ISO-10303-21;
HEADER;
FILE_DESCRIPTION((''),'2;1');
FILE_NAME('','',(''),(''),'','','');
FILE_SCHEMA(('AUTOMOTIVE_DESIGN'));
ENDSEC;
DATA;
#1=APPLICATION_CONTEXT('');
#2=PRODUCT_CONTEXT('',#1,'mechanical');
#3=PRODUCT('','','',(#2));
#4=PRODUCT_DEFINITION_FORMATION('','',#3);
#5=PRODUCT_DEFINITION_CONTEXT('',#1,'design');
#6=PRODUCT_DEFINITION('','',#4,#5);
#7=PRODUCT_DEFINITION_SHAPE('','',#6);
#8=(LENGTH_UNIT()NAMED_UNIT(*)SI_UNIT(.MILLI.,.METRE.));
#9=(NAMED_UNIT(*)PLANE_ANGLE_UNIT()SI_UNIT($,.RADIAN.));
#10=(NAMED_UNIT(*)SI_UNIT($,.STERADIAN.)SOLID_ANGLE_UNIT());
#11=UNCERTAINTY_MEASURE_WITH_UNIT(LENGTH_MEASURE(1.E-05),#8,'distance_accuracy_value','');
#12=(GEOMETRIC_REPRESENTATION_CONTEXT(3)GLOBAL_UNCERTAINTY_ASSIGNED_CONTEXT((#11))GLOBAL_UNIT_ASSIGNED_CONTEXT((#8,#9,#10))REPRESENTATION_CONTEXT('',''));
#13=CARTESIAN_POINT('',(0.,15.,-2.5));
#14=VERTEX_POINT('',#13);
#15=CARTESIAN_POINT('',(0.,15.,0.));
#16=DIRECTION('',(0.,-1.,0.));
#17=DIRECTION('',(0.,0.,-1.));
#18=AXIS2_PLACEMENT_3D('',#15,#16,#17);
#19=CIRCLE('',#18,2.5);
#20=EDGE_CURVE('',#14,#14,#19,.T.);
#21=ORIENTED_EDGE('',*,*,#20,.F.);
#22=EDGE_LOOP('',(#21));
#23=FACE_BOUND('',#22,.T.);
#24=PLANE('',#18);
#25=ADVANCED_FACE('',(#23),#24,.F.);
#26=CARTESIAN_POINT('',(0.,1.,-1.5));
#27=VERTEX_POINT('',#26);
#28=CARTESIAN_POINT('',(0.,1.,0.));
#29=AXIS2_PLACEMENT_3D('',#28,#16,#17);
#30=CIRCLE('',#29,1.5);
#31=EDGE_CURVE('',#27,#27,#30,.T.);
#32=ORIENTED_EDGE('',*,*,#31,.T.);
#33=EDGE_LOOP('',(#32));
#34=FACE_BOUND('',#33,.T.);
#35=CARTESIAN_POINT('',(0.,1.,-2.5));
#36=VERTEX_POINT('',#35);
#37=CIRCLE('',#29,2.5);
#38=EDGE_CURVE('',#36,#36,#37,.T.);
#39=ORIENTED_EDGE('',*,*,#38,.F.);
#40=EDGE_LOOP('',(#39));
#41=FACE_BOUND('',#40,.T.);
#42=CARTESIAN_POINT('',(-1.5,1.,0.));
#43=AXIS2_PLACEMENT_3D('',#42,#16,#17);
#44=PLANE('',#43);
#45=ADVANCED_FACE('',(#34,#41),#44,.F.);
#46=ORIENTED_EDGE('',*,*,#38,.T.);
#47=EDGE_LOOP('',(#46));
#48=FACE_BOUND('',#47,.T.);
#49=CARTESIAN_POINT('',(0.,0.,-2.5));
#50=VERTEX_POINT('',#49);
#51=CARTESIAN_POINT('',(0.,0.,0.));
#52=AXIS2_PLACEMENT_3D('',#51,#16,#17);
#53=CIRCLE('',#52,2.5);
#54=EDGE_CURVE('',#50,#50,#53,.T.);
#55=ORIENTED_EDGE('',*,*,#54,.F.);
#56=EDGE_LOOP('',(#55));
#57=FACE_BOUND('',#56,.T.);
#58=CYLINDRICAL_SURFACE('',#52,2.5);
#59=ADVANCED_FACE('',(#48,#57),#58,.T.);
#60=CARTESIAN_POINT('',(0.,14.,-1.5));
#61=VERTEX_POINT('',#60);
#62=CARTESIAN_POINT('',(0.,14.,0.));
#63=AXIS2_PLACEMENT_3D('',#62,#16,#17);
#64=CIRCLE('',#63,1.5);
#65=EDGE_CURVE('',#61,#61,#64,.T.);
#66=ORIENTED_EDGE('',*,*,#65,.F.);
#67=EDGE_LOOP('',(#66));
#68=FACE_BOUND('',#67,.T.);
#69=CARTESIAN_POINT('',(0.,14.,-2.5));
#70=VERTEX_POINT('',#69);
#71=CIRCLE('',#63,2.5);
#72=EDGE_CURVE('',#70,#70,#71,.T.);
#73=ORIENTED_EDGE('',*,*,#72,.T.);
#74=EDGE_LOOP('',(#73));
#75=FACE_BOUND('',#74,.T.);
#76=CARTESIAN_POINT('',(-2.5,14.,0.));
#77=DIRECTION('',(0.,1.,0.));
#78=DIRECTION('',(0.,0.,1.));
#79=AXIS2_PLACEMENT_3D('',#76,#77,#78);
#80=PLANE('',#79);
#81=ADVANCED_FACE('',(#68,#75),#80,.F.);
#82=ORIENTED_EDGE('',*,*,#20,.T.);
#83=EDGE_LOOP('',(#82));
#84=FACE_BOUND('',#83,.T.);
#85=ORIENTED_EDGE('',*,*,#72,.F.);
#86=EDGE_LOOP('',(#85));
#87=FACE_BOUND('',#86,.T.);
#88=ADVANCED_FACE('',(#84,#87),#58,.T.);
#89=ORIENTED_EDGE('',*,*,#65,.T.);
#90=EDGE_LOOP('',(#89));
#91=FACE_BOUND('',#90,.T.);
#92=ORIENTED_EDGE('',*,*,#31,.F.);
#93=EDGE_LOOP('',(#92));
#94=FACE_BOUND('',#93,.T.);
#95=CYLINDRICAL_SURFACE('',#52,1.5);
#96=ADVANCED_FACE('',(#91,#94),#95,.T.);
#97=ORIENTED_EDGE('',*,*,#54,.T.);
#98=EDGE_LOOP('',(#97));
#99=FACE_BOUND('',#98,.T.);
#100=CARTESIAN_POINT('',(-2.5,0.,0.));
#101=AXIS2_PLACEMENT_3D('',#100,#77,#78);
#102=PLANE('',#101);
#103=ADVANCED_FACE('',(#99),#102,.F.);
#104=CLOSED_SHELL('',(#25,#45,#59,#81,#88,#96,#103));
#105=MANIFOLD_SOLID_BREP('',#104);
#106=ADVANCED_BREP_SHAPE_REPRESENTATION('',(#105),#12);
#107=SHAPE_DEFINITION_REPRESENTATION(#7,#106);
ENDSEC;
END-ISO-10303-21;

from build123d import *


with BuildPart() as part:
    # Sketch1 → Revolve1 (revolve)
    with BuildSketch(Plane.XY, mode=Mode.PRIVATE) as revolve1_sk:
        Polygon((0, 0), (0, 15), (-2.5, 15), (-2.5, 14), (-1.5, 14), (-1.5, 1), (-2.5, 1), (-2.5, 0), align=None)
    revolve(revolve1_sk.sketch.rotate(Axis((0, 0, 0), (0, 1, 0)), 270), axis=Axis((0, 0, 0), (0, 1, 0)))


solid = part.part
